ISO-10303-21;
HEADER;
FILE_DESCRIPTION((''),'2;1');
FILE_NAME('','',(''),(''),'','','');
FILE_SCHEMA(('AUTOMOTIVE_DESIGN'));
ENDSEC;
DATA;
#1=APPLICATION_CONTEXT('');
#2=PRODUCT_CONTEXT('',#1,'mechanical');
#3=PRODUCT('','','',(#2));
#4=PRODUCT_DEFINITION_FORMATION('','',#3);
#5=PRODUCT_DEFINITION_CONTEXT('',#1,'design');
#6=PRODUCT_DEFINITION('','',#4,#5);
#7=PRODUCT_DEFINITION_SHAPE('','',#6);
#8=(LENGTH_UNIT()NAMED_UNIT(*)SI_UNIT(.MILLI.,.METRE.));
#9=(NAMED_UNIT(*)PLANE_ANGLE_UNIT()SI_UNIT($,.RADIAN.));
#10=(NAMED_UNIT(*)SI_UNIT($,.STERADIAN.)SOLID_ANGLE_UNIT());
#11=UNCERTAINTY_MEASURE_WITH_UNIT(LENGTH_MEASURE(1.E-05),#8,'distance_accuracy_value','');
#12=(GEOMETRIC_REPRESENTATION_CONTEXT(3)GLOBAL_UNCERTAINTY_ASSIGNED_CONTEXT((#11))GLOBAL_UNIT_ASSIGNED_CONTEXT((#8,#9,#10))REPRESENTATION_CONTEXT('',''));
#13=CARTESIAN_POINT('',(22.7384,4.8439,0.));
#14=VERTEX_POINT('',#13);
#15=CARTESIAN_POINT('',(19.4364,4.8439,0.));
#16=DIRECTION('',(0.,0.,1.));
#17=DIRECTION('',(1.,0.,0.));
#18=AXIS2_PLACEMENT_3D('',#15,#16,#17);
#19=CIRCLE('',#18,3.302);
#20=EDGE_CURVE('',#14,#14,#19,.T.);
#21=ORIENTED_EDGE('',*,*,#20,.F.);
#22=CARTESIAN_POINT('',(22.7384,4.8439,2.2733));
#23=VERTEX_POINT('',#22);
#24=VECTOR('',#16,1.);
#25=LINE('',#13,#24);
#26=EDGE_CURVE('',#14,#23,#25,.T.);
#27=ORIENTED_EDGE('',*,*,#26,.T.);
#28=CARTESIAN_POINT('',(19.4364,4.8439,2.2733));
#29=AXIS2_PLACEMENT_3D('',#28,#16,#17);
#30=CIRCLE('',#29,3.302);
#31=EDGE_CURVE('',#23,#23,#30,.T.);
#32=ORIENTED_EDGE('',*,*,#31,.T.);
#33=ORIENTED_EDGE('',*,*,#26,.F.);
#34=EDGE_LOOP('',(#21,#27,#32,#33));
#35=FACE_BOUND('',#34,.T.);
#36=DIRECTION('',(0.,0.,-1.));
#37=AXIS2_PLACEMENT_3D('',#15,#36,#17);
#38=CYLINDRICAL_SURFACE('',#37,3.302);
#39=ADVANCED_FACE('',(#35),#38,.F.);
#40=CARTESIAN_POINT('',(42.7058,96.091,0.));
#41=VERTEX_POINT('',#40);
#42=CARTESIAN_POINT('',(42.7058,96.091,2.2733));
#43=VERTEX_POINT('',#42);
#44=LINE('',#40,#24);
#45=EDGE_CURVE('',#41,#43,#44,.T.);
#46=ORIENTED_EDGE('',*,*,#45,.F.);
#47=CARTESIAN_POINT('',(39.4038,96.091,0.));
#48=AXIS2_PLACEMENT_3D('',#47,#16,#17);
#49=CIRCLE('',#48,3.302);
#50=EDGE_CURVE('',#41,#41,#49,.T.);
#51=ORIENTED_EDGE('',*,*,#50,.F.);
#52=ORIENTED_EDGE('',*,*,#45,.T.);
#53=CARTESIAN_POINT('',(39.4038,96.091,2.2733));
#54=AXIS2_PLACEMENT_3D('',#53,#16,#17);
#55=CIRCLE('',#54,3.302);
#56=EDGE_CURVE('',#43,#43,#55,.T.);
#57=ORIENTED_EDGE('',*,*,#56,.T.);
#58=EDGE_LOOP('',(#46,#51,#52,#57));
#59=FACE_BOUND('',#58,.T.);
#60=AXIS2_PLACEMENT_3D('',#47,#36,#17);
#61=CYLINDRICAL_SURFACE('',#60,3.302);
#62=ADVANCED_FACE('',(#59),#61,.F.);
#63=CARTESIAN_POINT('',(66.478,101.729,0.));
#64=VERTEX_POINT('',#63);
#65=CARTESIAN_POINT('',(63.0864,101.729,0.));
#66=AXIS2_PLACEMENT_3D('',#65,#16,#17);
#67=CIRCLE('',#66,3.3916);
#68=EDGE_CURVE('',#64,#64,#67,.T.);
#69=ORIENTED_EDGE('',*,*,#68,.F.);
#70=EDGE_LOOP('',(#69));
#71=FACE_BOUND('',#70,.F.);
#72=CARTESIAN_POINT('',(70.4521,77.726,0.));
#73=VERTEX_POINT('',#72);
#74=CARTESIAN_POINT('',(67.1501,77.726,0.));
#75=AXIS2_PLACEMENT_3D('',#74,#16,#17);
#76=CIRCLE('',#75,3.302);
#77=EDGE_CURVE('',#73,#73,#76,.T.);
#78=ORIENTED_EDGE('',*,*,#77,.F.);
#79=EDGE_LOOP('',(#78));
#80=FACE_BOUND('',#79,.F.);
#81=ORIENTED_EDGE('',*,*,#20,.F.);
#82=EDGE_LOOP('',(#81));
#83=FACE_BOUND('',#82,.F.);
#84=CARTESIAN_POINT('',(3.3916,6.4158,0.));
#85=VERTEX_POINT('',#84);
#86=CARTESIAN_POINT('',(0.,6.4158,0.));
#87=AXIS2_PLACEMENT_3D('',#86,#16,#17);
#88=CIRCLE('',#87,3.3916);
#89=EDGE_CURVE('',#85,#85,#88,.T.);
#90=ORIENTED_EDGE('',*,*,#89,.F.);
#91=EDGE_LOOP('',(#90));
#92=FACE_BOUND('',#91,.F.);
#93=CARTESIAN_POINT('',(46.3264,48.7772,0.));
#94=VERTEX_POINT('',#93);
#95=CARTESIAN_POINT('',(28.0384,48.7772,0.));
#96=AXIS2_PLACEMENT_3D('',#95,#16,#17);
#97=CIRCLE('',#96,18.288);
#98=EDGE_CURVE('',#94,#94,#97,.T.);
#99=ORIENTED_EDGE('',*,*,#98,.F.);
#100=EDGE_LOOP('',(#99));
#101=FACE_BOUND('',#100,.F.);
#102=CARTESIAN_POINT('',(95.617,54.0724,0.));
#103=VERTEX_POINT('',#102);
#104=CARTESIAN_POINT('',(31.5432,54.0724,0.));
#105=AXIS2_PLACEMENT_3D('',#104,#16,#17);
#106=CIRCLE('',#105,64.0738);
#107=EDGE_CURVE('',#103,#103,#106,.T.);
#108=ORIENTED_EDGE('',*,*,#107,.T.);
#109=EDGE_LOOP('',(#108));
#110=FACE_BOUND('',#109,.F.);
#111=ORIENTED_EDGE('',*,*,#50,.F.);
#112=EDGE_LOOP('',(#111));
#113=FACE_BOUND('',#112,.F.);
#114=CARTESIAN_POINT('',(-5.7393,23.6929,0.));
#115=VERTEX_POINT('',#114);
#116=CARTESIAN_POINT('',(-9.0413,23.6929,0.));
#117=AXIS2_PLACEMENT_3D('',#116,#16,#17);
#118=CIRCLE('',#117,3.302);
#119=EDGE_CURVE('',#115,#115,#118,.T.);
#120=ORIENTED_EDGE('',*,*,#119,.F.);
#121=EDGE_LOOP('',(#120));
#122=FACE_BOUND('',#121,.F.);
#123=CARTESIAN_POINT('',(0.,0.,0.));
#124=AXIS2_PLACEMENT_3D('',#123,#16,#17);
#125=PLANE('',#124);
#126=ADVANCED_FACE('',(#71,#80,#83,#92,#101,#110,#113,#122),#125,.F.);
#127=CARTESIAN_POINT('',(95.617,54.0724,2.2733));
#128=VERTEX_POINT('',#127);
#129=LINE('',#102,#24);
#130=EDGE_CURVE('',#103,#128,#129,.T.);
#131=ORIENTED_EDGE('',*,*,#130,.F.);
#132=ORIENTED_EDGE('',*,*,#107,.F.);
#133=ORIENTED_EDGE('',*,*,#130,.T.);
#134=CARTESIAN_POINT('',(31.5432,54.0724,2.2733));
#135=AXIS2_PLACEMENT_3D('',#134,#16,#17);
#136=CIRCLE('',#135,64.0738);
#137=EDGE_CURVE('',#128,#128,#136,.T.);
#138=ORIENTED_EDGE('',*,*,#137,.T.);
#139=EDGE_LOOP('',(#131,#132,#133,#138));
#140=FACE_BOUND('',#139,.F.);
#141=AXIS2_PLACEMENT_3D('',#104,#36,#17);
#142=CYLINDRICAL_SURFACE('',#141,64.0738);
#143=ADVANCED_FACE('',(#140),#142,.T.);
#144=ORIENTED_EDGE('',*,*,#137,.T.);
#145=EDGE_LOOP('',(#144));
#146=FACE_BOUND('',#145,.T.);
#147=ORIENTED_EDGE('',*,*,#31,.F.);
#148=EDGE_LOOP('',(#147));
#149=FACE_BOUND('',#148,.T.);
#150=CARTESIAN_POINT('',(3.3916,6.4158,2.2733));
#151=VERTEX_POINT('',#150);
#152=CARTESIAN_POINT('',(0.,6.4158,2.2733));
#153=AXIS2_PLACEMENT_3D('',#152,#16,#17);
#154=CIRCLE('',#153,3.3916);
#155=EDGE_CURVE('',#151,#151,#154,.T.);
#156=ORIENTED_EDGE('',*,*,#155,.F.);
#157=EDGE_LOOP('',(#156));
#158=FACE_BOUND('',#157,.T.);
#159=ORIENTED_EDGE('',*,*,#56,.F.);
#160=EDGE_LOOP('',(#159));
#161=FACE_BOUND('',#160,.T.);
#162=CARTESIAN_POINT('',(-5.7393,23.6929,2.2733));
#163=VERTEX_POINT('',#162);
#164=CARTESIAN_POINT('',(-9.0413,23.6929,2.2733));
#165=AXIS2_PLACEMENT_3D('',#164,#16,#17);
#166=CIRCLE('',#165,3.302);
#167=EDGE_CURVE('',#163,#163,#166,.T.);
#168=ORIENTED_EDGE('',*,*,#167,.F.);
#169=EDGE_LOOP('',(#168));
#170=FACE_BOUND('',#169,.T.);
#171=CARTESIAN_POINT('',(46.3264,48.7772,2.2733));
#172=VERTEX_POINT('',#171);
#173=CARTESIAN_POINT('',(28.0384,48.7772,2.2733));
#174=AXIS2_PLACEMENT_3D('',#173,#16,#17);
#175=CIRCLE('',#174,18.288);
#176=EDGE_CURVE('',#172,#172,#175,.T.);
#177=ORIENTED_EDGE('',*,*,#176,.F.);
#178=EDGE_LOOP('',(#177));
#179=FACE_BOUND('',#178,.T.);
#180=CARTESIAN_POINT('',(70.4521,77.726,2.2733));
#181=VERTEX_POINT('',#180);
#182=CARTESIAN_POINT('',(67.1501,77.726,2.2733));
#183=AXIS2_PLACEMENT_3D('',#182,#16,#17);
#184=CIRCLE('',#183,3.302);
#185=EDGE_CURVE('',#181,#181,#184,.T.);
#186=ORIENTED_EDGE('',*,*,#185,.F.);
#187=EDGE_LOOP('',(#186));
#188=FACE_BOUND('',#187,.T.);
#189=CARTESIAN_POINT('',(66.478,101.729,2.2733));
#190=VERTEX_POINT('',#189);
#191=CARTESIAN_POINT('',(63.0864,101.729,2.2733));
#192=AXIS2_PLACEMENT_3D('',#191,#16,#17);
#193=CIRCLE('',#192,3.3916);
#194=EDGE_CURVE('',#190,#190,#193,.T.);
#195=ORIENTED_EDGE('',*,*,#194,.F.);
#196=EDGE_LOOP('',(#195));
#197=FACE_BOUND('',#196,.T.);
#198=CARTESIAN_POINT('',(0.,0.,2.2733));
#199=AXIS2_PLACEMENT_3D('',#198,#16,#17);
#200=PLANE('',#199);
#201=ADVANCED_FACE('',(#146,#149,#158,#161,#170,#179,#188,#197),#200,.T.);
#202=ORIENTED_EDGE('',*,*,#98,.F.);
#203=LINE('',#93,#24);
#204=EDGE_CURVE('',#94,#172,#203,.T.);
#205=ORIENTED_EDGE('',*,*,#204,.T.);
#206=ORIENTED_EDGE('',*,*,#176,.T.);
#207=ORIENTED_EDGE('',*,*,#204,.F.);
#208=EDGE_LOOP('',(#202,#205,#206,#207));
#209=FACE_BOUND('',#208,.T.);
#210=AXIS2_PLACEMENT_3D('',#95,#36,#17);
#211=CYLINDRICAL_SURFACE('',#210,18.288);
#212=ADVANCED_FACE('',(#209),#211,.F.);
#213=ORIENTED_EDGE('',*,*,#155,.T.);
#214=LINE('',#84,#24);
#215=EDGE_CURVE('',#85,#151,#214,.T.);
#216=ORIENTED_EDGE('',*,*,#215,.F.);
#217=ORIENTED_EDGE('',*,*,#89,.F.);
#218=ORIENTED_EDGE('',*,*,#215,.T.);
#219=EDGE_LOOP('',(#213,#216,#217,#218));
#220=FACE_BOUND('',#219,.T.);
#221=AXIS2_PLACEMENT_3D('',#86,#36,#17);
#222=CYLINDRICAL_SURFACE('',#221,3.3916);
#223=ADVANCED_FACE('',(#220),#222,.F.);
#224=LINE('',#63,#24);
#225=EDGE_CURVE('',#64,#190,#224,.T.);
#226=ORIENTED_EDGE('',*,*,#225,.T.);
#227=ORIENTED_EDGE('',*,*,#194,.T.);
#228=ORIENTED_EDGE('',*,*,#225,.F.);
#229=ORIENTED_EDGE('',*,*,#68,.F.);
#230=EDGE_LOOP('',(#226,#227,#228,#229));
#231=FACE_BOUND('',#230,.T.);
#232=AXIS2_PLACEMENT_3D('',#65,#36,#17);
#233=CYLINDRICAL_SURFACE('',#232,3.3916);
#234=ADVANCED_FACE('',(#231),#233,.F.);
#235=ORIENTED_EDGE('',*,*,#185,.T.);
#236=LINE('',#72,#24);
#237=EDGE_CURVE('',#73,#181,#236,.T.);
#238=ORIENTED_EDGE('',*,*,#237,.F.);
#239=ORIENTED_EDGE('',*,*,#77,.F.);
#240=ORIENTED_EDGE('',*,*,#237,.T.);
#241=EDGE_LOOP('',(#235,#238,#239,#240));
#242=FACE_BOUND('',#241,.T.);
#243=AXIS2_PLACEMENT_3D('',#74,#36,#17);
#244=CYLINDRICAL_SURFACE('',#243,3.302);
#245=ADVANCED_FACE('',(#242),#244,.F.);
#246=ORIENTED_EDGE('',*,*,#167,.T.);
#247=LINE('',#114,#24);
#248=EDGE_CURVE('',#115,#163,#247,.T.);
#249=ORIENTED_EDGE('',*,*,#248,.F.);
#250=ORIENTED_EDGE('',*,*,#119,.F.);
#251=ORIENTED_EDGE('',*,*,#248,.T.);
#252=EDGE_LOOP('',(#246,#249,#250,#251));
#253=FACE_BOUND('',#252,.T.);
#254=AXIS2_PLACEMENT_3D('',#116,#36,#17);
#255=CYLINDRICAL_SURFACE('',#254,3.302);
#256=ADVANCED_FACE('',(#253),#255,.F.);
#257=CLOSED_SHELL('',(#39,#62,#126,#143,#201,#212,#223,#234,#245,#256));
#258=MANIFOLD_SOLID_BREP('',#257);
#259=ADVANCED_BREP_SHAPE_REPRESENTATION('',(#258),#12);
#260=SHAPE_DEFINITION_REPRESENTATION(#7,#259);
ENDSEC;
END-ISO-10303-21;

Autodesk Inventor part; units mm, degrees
ref_plane "YZ Plane" through (0, 0, 0) normal (1, 0, 0) x (0, 1, 0)
ref_plane "XZ Plane" through (0, 0, 0) normal (0, 1, 0) x (-1, 0, 0)
ref_plane "XY Plane" through (0, 0, 0) normal (0, 0, 1) x (1, 0, 0)
sketch "Sketch1" plane through (0, 0, 0) normal (0, 0, 1) x (1, 0, 0)
  arc A0 (2.7781, 11.2277) -> (-2.7781, 11.2277) centre (0, 6.4158) ccw construction
  arc A1 (-2.7781, 11.2277) -> (-5.5562, 6.4158) centre (0, 6.4158) ccw construction
  arc A2 (-5.5562, 6.4158) -> (-2.7781, 1.604) centre (0, 6.4158) ccw construction
  arc A3 (-2.7781, 1.604) -> (2.7781, 1.604) centre (0, 6.4158) ccw construction
  arc A4 (2.7781, 1.604) -> (5.5562, 6.4158) centre (0, 6.4158) ccw construction
  arc A5 (5.5562, 6.4158) -> (2.7781, 11.2277) centre (0, 6.4158) ccw construction
  circle A6 centre (0, 6.4158) radius 3.1376 construction
  arc A7 (65.8645, 106.5408) -> (60.3083, 106.5408) centre (63.0864, 101.729) ccw construction
  arc A8 (60.3083, 106.5408) -> (57.5301, 101.729) centre (63.0864, 101.729) ccw construction
  arc A9 (57.5301, 101.729) -> (60.3083, 96.9171) centre (63.0864, 101.729) ccw construction
  arc A10 (60.3083, 96.9171) -> (65.8645, 96.9171) centre (63.0864, 101.729) ccw construction
  arc A11 (65.8645, 96.9171) -> (68.6426, 101.729) centre (63.0864, 101.729) ccw construction
  arc A12 (68.6426, 101.729) -> (65.8645, 106.5408) centre (63.0864, 101.729) ccw construction
  circle A13 centre (63.0864, 101.729) radius 3.1376 construction
  circle A14 centre (28.0384, 48.7772) radius 16.383 construction
  circle A15 centre (28.0384, 48.7772) radius 18.288
  circle A16 centre (0, 6.4158) radius 6.4158 construction
  circle A17 centre (63.0864, 101.729) radius 6.4158 construction
  circle A18 centre (63.0864, 101.729) radius 6.9238 construction
  circle A19 centre (0, 6.4158) radius 6.9238 construction
  circle A20 centre (0, 6.4158) radius 3.3916
  circle A21 centre (63.0864, 101.729) radius 3.3916
  circle A22 centre (28.0384, 48.7772) radius 38.1 construction
  line L0 (66.9079, 107.5026) -> (-3.8215, 0.6421) construction
  ellipse E0 centre (31.5432, 54.0724) end of major axis (-3.8215, 0.6421) minor radius 35.9584 construction
  circle A23 centre (67.1501, 77.726) radius 3.302
  circle A24 centre (39.4038, 96.091) radius 3.302
  circle A25 centre (19.4364, 4.8439) radius 3.302
  circle A26 centre (-9.0413, 23.6929) radius 3.302
  line L1 (67.1501, 77.726) -> (53.277, 86.9085) construction
  line L2 (39.4038, 96.091) -> (53.277, 86.9085) construction
  line L3 (19.4364, 4.8439) -> (5.1975, 14.2684) construction
  line L4 (-9.0413, 23.6929) -> (5.1975, 14.2684) construction
  circle A27 centre (67.1501, 77.726) radius 10.5597 construction
  circle A28 centre (19.4364, 4.8439) radius 5.715 construction
  circle A29 centre (0, 6.4158) radius 13.7848 construction
  circle A30 centre (63.0864, 101.729) radius 13.7848 construction
  circle A31 centre (19.4364, 4.8439) radius 6.6675 construction
  circle A32 centre (31.5432, 54.0724) radius 64.0738
  point P0 (0, 0)
  point P1 (63.0864, 95.3131)
  point P2 (63.0864, 87.9441)
  point P3 (0, 20.2006)
  dimension "d3" = 0.508
  dimension "d4" = 0.508
  dimension "d0" = 1.905
  dimension "d1" = 0.254
  dimension "d2" = 0.254
  dimension "d6" = 6.604
  dimension "d7" = 6.604
  dimension "d8" = 6.604
  dimension "d9" = 6.604
  dimension "d12" = 11.43
  dimension "d13" = 13.335
extrude "Extrusion1" add sketch "Sketch1" along normal blind 2.2733
equation "\"d2\" = d1"
equation "\"d7\" = d6"
equation "\"d8\" = d6"
equation "\"d9\" = d6"
equation "\"BendRadius\" = Thickness"
equation "\"BendReliefWidth\" = Thickness"
equation "\"BendReliefDepth\" = 0.5 * Thickness"
equation "\"CornerReliefSize\" = 4 * Thickness"
equation "\"MinimumRemnant\" = 2 * Thickness"
equation "\"TransitionRadius\" = BendRadius"
equation "\"JacobiRadiusSize\" = Thickness"
equation "\"GapSize\" = Thickness"
equation "\"Thickness\" = 2.286"
properties part number "Bottom Hub Plate" material "Aluminum"
